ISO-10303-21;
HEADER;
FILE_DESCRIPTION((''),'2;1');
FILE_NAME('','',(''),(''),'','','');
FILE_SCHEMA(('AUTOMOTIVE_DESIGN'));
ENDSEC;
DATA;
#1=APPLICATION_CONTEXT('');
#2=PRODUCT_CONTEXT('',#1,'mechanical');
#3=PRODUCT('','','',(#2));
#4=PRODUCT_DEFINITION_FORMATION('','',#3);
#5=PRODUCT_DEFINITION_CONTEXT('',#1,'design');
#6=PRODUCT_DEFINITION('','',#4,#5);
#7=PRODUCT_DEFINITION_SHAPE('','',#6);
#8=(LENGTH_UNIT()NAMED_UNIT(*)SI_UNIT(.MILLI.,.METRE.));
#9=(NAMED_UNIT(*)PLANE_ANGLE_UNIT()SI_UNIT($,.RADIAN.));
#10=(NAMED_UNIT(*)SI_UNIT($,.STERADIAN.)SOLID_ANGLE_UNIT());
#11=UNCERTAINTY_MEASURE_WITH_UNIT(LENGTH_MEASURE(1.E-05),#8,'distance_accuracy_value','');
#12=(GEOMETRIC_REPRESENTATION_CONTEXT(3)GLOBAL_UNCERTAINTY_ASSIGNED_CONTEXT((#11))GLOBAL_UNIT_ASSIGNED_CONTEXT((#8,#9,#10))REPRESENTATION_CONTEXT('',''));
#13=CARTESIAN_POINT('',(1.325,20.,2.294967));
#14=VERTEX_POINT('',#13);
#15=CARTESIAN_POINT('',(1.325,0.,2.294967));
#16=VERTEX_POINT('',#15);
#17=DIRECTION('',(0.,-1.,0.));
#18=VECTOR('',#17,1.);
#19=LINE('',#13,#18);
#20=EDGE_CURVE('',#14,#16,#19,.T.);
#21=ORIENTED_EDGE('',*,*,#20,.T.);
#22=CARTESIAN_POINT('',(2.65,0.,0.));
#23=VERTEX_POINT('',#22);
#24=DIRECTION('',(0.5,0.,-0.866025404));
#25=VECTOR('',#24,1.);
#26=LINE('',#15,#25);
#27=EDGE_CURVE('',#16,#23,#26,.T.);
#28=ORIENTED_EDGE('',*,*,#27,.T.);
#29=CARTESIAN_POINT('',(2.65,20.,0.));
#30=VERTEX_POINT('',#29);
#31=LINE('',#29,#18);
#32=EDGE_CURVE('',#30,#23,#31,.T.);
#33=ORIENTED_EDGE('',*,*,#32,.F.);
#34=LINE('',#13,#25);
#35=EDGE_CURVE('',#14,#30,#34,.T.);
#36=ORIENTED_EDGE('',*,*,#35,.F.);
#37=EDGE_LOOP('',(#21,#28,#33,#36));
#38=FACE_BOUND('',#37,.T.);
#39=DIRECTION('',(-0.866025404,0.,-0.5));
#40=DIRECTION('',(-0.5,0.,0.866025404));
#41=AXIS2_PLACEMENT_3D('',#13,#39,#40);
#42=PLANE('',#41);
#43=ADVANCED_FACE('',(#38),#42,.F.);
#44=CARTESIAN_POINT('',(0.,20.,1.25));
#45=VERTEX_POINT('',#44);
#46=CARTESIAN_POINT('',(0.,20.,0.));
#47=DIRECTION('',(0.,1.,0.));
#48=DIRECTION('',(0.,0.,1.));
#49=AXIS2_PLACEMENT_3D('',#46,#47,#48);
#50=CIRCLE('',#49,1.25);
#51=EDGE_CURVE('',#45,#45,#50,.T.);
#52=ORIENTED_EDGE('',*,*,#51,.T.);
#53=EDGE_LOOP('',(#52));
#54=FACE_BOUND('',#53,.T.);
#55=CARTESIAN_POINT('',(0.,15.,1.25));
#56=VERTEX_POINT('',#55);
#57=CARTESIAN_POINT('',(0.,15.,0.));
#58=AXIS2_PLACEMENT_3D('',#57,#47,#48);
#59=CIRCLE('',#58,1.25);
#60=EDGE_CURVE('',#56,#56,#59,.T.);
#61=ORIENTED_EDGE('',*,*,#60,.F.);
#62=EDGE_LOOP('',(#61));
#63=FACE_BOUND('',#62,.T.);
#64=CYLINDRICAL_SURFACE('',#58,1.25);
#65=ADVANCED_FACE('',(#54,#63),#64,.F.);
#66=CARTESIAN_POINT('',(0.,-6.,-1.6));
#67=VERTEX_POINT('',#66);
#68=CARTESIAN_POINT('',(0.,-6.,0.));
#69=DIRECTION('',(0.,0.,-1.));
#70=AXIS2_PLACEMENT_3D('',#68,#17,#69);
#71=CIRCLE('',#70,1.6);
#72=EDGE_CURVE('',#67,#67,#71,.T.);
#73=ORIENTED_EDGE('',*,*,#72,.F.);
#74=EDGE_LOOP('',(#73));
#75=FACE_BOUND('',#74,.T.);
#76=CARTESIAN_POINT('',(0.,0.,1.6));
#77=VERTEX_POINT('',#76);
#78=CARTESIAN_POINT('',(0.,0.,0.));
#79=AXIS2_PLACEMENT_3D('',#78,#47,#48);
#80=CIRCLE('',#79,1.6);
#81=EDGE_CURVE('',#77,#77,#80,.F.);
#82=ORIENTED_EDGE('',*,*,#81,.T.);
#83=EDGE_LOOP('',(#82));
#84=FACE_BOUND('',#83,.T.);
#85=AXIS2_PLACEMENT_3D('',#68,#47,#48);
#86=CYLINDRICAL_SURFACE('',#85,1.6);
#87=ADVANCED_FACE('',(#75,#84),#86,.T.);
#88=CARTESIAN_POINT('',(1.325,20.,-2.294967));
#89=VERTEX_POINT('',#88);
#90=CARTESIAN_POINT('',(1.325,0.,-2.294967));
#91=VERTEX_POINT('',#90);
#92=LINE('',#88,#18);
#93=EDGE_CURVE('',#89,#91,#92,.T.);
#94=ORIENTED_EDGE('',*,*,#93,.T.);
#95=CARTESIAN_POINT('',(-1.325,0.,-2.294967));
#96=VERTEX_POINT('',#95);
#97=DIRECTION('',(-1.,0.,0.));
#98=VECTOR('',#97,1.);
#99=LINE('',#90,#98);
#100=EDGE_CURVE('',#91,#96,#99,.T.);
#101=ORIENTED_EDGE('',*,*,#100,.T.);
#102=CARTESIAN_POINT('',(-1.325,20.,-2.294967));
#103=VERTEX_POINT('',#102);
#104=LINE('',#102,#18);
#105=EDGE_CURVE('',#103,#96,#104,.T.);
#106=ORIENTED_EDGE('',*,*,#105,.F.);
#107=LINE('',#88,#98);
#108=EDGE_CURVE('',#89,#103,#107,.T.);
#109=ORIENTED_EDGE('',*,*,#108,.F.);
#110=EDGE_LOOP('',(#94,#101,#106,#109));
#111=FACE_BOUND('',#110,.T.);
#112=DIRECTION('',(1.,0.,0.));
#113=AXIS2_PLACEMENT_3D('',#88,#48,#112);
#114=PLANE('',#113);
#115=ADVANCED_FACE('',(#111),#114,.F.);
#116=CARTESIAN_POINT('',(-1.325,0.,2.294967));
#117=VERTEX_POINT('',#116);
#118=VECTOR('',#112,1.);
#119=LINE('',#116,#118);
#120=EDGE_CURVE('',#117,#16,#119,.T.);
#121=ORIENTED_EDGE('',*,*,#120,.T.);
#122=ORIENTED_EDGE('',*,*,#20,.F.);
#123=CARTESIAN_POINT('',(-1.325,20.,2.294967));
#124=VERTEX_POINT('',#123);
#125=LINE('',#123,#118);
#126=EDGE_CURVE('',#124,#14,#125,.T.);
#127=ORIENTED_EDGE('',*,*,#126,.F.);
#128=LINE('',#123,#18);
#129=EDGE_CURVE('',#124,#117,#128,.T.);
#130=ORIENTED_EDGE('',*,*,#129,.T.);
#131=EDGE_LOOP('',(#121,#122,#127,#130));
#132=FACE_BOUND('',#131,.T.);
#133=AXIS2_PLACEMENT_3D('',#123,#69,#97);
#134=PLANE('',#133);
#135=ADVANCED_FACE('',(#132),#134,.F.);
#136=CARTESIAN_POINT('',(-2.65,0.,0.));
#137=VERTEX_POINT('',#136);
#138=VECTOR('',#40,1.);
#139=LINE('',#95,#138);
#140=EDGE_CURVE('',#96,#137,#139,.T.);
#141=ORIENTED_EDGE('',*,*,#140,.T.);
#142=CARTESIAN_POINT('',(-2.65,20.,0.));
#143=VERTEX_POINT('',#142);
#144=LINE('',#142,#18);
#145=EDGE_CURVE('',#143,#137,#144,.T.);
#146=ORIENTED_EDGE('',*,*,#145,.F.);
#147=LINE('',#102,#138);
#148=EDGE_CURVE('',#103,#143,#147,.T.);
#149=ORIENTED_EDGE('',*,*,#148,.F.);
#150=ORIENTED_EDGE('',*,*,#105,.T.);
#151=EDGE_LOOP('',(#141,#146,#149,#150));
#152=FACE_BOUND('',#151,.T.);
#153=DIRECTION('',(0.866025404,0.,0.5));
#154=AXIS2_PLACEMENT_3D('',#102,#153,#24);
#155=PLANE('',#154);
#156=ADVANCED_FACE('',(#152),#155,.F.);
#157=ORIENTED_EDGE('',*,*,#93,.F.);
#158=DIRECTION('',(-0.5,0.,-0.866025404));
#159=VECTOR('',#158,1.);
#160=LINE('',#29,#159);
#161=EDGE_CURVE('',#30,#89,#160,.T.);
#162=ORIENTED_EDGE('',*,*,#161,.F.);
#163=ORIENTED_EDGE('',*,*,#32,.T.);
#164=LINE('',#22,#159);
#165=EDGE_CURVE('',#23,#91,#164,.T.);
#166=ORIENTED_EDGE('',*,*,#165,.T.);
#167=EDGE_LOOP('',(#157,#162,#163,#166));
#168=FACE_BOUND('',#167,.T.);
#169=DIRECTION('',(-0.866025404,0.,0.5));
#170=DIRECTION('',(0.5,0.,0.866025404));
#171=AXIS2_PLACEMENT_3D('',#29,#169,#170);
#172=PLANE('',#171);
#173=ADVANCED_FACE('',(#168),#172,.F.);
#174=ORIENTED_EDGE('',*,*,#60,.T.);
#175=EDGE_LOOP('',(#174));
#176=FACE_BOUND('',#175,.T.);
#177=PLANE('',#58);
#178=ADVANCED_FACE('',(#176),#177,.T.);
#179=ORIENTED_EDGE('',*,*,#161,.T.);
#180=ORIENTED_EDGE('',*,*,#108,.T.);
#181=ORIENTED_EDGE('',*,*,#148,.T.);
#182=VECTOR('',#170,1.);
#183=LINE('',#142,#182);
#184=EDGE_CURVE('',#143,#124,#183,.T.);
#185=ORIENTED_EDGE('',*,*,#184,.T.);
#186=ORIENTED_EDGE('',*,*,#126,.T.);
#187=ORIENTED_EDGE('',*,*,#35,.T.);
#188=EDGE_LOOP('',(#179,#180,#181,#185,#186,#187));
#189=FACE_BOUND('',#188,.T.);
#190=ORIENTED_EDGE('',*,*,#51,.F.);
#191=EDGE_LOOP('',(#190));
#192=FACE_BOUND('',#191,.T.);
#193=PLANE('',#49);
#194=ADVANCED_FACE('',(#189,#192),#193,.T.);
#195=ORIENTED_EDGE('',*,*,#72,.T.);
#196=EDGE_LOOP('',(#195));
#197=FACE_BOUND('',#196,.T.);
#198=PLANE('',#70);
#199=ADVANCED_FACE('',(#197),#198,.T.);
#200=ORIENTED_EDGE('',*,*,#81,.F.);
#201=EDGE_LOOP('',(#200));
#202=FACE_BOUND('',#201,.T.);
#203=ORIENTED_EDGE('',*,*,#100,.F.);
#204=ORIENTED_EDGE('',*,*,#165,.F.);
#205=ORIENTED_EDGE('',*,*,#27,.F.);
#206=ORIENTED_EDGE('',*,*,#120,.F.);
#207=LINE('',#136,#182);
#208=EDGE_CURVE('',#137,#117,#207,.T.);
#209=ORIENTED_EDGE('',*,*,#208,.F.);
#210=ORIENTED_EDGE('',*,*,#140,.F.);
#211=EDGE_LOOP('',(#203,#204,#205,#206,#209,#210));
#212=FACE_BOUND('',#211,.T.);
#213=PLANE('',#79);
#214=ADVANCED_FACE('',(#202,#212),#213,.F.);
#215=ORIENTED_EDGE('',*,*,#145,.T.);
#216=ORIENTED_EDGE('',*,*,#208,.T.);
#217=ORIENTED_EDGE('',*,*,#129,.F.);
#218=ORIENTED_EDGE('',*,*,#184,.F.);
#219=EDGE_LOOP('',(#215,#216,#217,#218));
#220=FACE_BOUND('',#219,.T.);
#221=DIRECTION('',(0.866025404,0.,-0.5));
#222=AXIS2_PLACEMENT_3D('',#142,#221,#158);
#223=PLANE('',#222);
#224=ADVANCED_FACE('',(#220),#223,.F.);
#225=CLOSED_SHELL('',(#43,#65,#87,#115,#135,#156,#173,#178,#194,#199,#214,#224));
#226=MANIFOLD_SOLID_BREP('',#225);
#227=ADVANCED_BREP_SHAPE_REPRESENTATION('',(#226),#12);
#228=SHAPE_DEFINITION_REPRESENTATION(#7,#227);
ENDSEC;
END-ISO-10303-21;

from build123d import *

# Parameters (mm, degrees)
EXTRUDE_1_DEPTH     = 20
SKETCH_6_R          = 1.6
EXTRUDE_2_DEPTH     = 6
SKETCH_7_R          = 1.25
CUT_EXTRUDE_1_DEPTH = 5


with BuildPart() as part:
    # 草图4 → 凸台-拉伸1 (new body)
    with BuildSketch(Plane(origin=(0, 0, 0), x_dir=(1, 0, 0), z_dir=(0, 1, 0))):
        Polygon((1.325, -2.29496732), (2.65, 0), (1.325, 2.29496732), (-1.325, 2.29496732), (-2.65, 0), (-1.325, -2.29496732), align=None)
    extrude(amount=EXTRUDE_1_DEPTH)

    # 草图6 → 凸台-拉伸2 (add)
    with BuildSketch(Plane(origin=(0, 0, 0), x_dir=(-1, 0, 0), z_dir=(0, -1, 0))):
        with Locations(Location((0, 0, 0), (0, 0, 270))):
            Circle(SKETCH_6_R)
    extrude(amount=EXTRUDE_2_DEPTH)

    # 草图7 → 切除-拉伸1 (cut)
    with BuildSketch(Plane(origin=(0, 20, 0), x_dir=(1, 0, 0), z_dir=(0, 1, 0))):
        with Locations(Location((0, 0, 0), (0, 0, 270))):
            Circle(SKETCH_7_R)
    extrude(amount=-CUT_EXTRUDE_1_DEPTH, mode=Mode.SUBTRACT)


solid = part.part
